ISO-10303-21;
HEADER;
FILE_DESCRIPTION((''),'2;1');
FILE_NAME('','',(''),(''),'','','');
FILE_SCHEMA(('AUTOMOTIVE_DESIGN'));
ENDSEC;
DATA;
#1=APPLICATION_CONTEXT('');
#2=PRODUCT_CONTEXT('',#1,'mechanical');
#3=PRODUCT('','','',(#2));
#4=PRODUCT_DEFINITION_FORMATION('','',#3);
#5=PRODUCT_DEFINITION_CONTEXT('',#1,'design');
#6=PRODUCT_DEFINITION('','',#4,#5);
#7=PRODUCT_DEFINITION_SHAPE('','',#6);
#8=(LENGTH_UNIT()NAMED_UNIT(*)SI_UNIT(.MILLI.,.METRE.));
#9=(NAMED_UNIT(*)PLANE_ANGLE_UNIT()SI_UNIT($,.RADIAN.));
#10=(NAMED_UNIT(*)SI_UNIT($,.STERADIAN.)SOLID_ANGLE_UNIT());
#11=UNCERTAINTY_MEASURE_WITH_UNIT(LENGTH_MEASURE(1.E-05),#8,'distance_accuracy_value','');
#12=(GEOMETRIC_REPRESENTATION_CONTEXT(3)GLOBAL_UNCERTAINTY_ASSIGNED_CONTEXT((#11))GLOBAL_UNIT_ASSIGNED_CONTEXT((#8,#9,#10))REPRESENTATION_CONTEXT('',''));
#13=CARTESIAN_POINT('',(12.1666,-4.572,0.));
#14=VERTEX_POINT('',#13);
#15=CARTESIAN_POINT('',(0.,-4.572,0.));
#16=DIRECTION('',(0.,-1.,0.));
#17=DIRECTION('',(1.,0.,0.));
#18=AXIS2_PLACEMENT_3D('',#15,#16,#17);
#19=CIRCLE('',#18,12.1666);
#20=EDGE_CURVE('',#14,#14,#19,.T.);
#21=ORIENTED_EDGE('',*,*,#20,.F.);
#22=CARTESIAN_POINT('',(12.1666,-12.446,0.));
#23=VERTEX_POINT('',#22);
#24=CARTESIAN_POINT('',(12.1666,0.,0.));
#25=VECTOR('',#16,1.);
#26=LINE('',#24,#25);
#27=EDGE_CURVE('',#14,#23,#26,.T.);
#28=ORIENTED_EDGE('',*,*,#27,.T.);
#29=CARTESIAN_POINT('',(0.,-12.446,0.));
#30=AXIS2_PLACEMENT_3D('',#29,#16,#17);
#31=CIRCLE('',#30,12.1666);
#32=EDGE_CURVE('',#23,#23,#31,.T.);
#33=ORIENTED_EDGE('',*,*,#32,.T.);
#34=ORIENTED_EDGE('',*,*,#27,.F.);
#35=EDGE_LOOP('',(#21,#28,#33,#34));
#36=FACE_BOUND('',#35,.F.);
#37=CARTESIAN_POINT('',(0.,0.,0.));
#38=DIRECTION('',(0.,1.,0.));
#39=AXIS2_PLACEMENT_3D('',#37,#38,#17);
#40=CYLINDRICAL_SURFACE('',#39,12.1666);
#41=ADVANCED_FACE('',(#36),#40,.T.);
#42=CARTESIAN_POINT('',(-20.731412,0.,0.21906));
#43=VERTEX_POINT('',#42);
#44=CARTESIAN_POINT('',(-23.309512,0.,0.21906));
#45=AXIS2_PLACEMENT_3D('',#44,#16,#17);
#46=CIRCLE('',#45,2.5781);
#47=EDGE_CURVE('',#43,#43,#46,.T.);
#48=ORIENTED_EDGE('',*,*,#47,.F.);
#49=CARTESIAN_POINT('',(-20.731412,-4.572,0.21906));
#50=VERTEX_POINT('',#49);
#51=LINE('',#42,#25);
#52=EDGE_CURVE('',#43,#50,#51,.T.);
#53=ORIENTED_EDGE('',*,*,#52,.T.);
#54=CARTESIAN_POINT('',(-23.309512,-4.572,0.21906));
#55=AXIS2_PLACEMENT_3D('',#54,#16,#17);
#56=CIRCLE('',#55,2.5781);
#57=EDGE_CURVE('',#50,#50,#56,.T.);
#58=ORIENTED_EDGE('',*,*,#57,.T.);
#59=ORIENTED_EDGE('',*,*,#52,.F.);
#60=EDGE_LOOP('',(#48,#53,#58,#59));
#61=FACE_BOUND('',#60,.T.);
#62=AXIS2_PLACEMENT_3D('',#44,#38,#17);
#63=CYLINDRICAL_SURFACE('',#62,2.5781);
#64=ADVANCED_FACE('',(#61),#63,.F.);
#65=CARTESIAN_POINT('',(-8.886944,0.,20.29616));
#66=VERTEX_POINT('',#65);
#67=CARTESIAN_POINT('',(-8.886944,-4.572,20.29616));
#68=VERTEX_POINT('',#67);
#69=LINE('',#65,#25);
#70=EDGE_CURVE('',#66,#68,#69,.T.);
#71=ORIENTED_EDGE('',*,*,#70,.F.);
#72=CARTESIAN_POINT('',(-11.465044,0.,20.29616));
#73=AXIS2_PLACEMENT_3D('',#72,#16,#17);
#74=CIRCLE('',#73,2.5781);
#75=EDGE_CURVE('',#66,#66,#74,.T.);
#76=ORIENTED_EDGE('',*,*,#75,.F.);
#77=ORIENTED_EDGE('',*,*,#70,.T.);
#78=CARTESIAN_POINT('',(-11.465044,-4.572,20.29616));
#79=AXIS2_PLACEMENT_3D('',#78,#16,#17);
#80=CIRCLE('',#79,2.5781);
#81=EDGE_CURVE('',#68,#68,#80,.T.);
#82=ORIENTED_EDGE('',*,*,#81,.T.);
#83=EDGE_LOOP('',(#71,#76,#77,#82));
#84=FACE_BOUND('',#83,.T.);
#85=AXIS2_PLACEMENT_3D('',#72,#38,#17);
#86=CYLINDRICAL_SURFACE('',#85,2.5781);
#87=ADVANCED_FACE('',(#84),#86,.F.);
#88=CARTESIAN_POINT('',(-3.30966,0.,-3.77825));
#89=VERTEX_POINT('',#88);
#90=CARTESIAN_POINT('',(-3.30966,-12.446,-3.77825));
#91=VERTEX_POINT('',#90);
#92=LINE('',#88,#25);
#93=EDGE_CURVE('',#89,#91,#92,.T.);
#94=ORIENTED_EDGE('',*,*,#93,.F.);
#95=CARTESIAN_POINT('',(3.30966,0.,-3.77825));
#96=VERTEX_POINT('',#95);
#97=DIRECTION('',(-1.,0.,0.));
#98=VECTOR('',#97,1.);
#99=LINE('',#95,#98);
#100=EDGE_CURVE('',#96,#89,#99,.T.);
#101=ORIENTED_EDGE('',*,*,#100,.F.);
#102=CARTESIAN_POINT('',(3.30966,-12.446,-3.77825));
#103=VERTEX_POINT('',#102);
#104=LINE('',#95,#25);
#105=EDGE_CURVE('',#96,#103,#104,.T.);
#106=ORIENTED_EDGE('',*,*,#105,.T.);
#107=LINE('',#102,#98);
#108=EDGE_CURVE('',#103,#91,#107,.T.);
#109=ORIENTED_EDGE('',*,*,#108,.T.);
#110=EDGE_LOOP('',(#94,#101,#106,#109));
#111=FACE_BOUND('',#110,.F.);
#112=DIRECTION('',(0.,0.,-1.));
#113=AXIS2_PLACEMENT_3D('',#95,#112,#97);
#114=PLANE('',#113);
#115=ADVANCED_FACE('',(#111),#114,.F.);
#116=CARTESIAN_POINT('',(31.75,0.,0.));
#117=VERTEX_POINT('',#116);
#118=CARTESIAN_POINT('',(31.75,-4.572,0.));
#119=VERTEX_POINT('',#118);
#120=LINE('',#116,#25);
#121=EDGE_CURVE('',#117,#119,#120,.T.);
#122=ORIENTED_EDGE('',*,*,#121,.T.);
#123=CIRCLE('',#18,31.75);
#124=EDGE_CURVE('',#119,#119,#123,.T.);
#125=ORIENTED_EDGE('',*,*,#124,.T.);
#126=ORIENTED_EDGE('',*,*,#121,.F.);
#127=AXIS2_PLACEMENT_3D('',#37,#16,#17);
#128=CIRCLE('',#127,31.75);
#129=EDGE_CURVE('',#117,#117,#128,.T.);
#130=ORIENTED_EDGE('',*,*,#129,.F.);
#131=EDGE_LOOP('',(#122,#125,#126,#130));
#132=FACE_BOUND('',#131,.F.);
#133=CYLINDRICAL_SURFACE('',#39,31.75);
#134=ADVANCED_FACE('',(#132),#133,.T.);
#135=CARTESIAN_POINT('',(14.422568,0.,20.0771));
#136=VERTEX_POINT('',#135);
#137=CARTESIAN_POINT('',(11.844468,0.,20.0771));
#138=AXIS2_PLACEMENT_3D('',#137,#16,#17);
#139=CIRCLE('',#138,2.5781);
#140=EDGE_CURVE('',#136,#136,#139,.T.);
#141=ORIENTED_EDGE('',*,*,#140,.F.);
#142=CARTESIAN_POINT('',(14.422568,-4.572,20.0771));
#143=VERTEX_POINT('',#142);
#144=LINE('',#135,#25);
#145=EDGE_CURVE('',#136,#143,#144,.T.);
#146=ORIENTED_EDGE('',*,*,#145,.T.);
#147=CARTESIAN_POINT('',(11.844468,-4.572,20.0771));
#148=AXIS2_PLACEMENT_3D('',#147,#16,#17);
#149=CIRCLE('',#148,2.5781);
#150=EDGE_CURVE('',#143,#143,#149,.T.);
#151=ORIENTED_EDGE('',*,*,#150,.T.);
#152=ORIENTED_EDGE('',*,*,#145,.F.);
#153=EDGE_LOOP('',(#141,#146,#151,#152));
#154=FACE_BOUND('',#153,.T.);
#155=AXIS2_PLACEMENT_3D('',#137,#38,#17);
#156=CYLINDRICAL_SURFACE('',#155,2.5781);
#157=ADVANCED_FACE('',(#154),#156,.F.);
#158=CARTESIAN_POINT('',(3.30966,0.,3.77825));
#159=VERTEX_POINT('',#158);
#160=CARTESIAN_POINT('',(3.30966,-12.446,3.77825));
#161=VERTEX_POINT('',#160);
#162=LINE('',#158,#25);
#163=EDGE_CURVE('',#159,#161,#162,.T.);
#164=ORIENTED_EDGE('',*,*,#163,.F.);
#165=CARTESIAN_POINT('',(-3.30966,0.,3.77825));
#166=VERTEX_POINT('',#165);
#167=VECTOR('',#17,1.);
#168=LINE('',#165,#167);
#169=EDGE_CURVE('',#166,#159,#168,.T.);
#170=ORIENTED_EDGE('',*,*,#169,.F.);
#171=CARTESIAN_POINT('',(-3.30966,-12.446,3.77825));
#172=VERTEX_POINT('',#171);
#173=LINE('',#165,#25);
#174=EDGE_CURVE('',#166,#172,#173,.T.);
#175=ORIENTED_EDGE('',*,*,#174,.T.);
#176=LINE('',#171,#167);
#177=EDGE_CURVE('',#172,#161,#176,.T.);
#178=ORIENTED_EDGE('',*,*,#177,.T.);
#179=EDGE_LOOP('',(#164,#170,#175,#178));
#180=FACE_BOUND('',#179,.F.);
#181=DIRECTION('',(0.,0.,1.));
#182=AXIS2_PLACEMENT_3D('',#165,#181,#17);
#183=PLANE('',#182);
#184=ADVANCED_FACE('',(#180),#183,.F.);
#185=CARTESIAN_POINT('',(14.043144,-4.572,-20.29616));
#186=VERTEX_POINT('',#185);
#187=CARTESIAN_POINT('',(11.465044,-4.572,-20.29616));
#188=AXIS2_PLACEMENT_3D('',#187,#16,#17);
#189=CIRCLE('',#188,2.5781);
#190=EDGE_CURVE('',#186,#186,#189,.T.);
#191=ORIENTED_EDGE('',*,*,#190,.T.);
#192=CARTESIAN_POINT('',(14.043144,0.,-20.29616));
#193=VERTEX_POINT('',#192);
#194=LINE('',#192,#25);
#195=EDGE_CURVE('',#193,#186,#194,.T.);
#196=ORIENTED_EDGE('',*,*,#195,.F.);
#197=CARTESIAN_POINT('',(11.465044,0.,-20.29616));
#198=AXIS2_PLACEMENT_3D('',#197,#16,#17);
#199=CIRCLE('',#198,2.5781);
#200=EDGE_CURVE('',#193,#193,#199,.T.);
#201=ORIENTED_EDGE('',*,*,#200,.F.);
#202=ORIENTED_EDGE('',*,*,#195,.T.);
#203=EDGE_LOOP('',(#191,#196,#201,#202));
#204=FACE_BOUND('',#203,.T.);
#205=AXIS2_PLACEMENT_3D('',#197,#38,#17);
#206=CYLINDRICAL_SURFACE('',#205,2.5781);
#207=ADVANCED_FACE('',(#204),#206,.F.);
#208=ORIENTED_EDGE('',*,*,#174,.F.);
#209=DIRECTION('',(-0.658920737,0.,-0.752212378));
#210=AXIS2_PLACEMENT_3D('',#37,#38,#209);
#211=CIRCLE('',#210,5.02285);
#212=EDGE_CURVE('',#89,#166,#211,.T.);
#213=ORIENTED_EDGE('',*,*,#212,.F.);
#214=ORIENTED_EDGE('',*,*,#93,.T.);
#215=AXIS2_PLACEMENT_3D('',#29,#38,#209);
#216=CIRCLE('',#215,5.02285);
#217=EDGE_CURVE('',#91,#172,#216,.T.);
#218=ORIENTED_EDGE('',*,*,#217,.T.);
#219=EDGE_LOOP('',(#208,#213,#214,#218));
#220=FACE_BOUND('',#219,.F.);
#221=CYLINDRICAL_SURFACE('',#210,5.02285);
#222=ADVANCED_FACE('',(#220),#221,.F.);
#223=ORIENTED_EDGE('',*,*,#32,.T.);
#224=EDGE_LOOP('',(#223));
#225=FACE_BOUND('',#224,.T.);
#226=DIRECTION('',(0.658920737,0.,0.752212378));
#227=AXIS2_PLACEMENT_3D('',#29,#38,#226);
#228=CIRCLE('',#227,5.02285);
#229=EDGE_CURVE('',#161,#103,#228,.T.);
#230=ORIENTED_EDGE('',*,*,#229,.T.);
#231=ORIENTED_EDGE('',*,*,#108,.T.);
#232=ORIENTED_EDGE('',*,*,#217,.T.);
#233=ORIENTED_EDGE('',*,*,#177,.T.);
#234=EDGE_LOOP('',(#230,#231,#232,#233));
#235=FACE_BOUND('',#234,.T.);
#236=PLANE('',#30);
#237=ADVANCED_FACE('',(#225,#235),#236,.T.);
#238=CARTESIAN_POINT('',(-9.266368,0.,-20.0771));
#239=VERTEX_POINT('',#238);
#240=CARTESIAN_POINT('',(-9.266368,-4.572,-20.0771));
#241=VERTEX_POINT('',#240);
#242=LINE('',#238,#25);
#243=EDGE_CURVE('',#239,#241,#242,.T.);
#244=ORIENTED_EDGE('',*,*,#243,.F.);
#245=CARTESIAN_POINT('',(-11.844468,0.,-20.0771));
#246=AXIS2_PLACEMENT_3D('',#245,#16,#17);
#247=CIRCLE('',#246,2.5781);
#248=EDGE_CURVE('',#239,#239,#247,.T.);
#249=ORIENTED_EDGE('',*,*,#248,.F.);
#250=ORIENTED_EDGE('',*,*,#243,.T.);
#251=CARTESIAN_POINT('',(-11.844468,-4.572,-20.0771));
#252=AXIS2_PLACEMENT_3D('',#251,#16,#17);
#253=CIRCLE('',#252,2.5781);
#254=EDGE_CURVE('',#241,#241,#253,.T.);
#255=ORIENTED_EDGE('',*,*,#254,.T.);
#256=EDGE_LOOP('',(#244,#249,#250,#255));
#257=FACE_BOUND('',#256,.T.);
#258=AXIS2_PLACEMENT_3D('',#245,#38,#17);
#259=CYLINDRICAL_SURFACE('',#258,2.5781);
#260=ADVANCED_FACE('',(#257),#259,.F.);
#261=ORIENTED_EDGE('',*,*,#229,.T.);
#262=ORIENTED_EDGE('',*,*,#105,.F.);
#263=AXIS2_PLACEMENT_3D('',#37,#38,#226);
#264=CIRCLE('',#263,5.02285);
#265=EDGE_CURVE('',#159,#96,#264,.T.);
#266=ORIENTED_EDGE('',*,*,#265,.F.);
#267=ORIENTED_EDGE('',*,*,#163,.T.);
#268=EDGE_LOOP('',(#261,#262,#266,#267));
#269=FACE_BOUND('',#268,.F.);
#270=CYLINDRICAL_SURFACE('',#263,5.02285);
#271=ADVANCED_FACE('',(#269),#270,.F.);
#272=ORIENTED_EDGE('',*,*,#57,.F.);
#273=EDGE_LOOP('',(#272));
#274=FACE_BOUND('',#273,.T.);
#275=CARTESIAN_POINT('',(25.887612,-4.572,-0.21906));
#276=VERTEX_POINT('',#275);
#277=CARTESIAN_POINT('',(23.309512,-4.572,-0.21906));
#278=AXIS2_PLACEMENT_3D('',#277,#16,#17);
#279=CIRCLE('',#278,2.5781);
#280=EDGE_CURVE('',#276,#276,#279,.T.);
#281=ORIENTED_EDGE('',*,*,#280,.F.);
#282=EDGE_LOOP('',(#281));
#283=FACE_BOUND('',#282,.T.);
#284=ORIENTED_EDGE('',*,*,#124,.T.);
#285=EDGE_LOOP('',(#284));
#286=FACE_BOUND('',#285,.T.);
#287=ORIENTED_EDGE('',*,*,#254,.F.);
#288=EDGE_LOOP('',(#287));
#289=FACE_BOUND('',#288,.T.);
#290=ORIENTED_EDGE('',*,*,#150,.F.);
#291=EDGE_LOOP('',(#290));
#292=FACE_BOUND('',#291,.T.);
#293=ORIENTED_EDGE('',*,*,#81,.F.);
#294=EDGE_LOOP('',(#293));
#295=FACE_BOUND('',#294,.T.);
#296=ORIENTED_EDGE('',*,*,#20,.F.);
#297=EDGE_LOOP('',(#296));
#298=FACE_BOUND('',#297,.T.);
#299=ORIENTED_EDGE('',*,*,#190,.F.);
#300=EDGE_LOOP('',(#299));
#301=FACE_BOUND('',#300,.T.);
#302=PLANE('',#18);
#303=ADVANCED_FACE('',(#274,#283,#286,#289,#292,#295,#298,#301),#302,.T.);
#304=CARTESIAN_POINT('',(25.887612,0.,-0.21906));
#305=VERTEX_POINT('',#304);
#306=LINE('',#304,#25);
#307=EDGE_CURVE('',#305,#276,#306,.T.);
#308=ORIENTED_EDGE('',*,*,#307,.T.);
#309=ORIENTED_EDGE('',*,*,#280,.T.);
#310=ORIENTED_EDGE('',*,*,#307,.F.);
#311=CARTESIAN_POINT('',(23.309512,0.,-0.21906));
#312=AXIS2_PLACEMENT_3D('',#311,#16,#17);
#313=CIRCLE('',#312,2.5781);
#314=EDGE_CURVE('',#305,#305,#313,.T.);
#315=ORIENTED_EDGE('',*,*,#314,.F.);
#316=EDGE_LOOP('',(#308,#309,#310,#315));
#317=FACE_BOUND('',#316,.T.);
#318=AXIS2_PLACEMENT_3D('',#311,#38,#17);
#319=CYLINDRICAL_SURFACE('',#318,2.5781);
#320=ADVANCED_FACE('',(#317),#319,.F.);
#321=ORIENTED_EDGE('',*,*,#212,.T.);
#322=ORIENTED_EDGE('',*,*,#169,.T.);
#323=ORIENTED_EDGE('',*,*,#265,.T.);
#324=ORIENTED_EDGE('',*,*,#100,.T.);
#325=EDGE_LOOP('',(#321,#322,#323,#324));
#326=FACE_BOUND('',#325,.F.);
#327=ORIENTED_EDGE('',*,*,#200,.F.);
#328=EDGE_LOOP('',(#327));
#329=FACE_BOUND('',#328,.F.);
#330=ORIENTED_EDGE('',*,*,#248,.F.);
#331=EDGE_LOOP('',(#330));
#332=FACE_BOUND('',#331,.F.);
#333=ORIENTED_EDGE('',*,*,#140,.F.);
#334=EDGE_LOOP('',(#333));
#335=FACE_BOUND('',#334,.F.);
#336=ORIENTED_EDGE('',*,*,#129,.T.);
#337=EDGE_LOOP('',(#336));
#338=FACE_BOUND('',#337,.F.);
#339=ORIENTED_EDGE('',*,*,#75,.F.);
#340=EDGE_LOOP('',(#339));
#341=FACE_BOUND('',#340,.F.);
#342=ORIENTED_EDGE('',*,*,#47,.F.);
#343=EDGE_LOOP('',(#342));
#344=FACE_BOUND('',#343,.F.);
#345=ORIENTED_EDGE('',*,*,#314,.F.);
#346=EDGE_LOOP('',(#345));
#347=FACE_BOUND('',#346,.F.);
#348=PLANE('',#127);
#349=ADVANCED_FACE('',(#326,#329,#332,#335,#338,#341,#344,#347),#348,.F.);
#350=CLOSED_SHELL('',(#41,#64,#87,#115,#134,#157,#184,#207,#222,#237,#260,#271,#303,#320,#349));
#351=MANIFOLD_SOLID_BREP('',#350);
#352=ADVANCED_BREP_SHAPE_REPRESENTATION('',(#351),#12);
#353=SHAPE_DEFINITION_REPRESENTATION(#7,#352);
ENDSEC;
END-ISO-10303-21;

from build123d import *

# Parameters (mm, degrees)
F0_R     = 12.1666
F1_DEPTH = 12.446
F0_R_2   = 31.75
F0_R_3   = 2.5781
F2_DEPTH = 4.572


with BuildPart() as f1:
    # F0 (on Front) → F1 (new body)
    with BuildSketch(Plane.XZ):
        Circle(F0_R)
        with BuildLine():
            ThreePointArc((3.30966, 3.77825), (5.02285, 0), (3.30966, -3.77825))
            Line((3.30966, -3.77825), (-3.30966, -3.77825))
            ThreePointArc((-3.30966, -3.77825), (-5.02285, 0), (-3.30966, 3.77825))
            Line((-3.30966, 3.77825), (3.30966, 3.77825))
        make_face(mode=Mode.SUBTRACT)
    extrude(amount=F1_DEPTH)

    # F0 (on Front) → F2 (join)
    with BuildSketch(Plane.XZ):
        Circle(F0_R_2)
        with Locations((-11.844468, -20.0771)):
            Circle(F0_R_3, mode=Mode.SUBTRACT)
        with Locations((11.465044, -20.29616)):
            Circle(F0_R_3, mode=Mode.SUBTRACT)
        with Locations((23.309512, -0.21906)):
            Circle(F0_R_3, mode=Mode.SUBTRACT)
        with Locations((-23.309512, 0.21906)):
            Circle(F0_R_3, mode=Mode.SUBTRACT)
        with Locations((-11.465044, 20.29616)):
            Circle(F0_R_3, mode=Mode.SUBTRACT)
        Circle(F0_R, mode=Mode.SUBTRACT)
        with Locations((11.844468, 20.0771)):
            Circle(F0_R_3, mode=Mode.SUBTRACT)
    extrude(amount=F2_DEPTH)


solid = f1.part
